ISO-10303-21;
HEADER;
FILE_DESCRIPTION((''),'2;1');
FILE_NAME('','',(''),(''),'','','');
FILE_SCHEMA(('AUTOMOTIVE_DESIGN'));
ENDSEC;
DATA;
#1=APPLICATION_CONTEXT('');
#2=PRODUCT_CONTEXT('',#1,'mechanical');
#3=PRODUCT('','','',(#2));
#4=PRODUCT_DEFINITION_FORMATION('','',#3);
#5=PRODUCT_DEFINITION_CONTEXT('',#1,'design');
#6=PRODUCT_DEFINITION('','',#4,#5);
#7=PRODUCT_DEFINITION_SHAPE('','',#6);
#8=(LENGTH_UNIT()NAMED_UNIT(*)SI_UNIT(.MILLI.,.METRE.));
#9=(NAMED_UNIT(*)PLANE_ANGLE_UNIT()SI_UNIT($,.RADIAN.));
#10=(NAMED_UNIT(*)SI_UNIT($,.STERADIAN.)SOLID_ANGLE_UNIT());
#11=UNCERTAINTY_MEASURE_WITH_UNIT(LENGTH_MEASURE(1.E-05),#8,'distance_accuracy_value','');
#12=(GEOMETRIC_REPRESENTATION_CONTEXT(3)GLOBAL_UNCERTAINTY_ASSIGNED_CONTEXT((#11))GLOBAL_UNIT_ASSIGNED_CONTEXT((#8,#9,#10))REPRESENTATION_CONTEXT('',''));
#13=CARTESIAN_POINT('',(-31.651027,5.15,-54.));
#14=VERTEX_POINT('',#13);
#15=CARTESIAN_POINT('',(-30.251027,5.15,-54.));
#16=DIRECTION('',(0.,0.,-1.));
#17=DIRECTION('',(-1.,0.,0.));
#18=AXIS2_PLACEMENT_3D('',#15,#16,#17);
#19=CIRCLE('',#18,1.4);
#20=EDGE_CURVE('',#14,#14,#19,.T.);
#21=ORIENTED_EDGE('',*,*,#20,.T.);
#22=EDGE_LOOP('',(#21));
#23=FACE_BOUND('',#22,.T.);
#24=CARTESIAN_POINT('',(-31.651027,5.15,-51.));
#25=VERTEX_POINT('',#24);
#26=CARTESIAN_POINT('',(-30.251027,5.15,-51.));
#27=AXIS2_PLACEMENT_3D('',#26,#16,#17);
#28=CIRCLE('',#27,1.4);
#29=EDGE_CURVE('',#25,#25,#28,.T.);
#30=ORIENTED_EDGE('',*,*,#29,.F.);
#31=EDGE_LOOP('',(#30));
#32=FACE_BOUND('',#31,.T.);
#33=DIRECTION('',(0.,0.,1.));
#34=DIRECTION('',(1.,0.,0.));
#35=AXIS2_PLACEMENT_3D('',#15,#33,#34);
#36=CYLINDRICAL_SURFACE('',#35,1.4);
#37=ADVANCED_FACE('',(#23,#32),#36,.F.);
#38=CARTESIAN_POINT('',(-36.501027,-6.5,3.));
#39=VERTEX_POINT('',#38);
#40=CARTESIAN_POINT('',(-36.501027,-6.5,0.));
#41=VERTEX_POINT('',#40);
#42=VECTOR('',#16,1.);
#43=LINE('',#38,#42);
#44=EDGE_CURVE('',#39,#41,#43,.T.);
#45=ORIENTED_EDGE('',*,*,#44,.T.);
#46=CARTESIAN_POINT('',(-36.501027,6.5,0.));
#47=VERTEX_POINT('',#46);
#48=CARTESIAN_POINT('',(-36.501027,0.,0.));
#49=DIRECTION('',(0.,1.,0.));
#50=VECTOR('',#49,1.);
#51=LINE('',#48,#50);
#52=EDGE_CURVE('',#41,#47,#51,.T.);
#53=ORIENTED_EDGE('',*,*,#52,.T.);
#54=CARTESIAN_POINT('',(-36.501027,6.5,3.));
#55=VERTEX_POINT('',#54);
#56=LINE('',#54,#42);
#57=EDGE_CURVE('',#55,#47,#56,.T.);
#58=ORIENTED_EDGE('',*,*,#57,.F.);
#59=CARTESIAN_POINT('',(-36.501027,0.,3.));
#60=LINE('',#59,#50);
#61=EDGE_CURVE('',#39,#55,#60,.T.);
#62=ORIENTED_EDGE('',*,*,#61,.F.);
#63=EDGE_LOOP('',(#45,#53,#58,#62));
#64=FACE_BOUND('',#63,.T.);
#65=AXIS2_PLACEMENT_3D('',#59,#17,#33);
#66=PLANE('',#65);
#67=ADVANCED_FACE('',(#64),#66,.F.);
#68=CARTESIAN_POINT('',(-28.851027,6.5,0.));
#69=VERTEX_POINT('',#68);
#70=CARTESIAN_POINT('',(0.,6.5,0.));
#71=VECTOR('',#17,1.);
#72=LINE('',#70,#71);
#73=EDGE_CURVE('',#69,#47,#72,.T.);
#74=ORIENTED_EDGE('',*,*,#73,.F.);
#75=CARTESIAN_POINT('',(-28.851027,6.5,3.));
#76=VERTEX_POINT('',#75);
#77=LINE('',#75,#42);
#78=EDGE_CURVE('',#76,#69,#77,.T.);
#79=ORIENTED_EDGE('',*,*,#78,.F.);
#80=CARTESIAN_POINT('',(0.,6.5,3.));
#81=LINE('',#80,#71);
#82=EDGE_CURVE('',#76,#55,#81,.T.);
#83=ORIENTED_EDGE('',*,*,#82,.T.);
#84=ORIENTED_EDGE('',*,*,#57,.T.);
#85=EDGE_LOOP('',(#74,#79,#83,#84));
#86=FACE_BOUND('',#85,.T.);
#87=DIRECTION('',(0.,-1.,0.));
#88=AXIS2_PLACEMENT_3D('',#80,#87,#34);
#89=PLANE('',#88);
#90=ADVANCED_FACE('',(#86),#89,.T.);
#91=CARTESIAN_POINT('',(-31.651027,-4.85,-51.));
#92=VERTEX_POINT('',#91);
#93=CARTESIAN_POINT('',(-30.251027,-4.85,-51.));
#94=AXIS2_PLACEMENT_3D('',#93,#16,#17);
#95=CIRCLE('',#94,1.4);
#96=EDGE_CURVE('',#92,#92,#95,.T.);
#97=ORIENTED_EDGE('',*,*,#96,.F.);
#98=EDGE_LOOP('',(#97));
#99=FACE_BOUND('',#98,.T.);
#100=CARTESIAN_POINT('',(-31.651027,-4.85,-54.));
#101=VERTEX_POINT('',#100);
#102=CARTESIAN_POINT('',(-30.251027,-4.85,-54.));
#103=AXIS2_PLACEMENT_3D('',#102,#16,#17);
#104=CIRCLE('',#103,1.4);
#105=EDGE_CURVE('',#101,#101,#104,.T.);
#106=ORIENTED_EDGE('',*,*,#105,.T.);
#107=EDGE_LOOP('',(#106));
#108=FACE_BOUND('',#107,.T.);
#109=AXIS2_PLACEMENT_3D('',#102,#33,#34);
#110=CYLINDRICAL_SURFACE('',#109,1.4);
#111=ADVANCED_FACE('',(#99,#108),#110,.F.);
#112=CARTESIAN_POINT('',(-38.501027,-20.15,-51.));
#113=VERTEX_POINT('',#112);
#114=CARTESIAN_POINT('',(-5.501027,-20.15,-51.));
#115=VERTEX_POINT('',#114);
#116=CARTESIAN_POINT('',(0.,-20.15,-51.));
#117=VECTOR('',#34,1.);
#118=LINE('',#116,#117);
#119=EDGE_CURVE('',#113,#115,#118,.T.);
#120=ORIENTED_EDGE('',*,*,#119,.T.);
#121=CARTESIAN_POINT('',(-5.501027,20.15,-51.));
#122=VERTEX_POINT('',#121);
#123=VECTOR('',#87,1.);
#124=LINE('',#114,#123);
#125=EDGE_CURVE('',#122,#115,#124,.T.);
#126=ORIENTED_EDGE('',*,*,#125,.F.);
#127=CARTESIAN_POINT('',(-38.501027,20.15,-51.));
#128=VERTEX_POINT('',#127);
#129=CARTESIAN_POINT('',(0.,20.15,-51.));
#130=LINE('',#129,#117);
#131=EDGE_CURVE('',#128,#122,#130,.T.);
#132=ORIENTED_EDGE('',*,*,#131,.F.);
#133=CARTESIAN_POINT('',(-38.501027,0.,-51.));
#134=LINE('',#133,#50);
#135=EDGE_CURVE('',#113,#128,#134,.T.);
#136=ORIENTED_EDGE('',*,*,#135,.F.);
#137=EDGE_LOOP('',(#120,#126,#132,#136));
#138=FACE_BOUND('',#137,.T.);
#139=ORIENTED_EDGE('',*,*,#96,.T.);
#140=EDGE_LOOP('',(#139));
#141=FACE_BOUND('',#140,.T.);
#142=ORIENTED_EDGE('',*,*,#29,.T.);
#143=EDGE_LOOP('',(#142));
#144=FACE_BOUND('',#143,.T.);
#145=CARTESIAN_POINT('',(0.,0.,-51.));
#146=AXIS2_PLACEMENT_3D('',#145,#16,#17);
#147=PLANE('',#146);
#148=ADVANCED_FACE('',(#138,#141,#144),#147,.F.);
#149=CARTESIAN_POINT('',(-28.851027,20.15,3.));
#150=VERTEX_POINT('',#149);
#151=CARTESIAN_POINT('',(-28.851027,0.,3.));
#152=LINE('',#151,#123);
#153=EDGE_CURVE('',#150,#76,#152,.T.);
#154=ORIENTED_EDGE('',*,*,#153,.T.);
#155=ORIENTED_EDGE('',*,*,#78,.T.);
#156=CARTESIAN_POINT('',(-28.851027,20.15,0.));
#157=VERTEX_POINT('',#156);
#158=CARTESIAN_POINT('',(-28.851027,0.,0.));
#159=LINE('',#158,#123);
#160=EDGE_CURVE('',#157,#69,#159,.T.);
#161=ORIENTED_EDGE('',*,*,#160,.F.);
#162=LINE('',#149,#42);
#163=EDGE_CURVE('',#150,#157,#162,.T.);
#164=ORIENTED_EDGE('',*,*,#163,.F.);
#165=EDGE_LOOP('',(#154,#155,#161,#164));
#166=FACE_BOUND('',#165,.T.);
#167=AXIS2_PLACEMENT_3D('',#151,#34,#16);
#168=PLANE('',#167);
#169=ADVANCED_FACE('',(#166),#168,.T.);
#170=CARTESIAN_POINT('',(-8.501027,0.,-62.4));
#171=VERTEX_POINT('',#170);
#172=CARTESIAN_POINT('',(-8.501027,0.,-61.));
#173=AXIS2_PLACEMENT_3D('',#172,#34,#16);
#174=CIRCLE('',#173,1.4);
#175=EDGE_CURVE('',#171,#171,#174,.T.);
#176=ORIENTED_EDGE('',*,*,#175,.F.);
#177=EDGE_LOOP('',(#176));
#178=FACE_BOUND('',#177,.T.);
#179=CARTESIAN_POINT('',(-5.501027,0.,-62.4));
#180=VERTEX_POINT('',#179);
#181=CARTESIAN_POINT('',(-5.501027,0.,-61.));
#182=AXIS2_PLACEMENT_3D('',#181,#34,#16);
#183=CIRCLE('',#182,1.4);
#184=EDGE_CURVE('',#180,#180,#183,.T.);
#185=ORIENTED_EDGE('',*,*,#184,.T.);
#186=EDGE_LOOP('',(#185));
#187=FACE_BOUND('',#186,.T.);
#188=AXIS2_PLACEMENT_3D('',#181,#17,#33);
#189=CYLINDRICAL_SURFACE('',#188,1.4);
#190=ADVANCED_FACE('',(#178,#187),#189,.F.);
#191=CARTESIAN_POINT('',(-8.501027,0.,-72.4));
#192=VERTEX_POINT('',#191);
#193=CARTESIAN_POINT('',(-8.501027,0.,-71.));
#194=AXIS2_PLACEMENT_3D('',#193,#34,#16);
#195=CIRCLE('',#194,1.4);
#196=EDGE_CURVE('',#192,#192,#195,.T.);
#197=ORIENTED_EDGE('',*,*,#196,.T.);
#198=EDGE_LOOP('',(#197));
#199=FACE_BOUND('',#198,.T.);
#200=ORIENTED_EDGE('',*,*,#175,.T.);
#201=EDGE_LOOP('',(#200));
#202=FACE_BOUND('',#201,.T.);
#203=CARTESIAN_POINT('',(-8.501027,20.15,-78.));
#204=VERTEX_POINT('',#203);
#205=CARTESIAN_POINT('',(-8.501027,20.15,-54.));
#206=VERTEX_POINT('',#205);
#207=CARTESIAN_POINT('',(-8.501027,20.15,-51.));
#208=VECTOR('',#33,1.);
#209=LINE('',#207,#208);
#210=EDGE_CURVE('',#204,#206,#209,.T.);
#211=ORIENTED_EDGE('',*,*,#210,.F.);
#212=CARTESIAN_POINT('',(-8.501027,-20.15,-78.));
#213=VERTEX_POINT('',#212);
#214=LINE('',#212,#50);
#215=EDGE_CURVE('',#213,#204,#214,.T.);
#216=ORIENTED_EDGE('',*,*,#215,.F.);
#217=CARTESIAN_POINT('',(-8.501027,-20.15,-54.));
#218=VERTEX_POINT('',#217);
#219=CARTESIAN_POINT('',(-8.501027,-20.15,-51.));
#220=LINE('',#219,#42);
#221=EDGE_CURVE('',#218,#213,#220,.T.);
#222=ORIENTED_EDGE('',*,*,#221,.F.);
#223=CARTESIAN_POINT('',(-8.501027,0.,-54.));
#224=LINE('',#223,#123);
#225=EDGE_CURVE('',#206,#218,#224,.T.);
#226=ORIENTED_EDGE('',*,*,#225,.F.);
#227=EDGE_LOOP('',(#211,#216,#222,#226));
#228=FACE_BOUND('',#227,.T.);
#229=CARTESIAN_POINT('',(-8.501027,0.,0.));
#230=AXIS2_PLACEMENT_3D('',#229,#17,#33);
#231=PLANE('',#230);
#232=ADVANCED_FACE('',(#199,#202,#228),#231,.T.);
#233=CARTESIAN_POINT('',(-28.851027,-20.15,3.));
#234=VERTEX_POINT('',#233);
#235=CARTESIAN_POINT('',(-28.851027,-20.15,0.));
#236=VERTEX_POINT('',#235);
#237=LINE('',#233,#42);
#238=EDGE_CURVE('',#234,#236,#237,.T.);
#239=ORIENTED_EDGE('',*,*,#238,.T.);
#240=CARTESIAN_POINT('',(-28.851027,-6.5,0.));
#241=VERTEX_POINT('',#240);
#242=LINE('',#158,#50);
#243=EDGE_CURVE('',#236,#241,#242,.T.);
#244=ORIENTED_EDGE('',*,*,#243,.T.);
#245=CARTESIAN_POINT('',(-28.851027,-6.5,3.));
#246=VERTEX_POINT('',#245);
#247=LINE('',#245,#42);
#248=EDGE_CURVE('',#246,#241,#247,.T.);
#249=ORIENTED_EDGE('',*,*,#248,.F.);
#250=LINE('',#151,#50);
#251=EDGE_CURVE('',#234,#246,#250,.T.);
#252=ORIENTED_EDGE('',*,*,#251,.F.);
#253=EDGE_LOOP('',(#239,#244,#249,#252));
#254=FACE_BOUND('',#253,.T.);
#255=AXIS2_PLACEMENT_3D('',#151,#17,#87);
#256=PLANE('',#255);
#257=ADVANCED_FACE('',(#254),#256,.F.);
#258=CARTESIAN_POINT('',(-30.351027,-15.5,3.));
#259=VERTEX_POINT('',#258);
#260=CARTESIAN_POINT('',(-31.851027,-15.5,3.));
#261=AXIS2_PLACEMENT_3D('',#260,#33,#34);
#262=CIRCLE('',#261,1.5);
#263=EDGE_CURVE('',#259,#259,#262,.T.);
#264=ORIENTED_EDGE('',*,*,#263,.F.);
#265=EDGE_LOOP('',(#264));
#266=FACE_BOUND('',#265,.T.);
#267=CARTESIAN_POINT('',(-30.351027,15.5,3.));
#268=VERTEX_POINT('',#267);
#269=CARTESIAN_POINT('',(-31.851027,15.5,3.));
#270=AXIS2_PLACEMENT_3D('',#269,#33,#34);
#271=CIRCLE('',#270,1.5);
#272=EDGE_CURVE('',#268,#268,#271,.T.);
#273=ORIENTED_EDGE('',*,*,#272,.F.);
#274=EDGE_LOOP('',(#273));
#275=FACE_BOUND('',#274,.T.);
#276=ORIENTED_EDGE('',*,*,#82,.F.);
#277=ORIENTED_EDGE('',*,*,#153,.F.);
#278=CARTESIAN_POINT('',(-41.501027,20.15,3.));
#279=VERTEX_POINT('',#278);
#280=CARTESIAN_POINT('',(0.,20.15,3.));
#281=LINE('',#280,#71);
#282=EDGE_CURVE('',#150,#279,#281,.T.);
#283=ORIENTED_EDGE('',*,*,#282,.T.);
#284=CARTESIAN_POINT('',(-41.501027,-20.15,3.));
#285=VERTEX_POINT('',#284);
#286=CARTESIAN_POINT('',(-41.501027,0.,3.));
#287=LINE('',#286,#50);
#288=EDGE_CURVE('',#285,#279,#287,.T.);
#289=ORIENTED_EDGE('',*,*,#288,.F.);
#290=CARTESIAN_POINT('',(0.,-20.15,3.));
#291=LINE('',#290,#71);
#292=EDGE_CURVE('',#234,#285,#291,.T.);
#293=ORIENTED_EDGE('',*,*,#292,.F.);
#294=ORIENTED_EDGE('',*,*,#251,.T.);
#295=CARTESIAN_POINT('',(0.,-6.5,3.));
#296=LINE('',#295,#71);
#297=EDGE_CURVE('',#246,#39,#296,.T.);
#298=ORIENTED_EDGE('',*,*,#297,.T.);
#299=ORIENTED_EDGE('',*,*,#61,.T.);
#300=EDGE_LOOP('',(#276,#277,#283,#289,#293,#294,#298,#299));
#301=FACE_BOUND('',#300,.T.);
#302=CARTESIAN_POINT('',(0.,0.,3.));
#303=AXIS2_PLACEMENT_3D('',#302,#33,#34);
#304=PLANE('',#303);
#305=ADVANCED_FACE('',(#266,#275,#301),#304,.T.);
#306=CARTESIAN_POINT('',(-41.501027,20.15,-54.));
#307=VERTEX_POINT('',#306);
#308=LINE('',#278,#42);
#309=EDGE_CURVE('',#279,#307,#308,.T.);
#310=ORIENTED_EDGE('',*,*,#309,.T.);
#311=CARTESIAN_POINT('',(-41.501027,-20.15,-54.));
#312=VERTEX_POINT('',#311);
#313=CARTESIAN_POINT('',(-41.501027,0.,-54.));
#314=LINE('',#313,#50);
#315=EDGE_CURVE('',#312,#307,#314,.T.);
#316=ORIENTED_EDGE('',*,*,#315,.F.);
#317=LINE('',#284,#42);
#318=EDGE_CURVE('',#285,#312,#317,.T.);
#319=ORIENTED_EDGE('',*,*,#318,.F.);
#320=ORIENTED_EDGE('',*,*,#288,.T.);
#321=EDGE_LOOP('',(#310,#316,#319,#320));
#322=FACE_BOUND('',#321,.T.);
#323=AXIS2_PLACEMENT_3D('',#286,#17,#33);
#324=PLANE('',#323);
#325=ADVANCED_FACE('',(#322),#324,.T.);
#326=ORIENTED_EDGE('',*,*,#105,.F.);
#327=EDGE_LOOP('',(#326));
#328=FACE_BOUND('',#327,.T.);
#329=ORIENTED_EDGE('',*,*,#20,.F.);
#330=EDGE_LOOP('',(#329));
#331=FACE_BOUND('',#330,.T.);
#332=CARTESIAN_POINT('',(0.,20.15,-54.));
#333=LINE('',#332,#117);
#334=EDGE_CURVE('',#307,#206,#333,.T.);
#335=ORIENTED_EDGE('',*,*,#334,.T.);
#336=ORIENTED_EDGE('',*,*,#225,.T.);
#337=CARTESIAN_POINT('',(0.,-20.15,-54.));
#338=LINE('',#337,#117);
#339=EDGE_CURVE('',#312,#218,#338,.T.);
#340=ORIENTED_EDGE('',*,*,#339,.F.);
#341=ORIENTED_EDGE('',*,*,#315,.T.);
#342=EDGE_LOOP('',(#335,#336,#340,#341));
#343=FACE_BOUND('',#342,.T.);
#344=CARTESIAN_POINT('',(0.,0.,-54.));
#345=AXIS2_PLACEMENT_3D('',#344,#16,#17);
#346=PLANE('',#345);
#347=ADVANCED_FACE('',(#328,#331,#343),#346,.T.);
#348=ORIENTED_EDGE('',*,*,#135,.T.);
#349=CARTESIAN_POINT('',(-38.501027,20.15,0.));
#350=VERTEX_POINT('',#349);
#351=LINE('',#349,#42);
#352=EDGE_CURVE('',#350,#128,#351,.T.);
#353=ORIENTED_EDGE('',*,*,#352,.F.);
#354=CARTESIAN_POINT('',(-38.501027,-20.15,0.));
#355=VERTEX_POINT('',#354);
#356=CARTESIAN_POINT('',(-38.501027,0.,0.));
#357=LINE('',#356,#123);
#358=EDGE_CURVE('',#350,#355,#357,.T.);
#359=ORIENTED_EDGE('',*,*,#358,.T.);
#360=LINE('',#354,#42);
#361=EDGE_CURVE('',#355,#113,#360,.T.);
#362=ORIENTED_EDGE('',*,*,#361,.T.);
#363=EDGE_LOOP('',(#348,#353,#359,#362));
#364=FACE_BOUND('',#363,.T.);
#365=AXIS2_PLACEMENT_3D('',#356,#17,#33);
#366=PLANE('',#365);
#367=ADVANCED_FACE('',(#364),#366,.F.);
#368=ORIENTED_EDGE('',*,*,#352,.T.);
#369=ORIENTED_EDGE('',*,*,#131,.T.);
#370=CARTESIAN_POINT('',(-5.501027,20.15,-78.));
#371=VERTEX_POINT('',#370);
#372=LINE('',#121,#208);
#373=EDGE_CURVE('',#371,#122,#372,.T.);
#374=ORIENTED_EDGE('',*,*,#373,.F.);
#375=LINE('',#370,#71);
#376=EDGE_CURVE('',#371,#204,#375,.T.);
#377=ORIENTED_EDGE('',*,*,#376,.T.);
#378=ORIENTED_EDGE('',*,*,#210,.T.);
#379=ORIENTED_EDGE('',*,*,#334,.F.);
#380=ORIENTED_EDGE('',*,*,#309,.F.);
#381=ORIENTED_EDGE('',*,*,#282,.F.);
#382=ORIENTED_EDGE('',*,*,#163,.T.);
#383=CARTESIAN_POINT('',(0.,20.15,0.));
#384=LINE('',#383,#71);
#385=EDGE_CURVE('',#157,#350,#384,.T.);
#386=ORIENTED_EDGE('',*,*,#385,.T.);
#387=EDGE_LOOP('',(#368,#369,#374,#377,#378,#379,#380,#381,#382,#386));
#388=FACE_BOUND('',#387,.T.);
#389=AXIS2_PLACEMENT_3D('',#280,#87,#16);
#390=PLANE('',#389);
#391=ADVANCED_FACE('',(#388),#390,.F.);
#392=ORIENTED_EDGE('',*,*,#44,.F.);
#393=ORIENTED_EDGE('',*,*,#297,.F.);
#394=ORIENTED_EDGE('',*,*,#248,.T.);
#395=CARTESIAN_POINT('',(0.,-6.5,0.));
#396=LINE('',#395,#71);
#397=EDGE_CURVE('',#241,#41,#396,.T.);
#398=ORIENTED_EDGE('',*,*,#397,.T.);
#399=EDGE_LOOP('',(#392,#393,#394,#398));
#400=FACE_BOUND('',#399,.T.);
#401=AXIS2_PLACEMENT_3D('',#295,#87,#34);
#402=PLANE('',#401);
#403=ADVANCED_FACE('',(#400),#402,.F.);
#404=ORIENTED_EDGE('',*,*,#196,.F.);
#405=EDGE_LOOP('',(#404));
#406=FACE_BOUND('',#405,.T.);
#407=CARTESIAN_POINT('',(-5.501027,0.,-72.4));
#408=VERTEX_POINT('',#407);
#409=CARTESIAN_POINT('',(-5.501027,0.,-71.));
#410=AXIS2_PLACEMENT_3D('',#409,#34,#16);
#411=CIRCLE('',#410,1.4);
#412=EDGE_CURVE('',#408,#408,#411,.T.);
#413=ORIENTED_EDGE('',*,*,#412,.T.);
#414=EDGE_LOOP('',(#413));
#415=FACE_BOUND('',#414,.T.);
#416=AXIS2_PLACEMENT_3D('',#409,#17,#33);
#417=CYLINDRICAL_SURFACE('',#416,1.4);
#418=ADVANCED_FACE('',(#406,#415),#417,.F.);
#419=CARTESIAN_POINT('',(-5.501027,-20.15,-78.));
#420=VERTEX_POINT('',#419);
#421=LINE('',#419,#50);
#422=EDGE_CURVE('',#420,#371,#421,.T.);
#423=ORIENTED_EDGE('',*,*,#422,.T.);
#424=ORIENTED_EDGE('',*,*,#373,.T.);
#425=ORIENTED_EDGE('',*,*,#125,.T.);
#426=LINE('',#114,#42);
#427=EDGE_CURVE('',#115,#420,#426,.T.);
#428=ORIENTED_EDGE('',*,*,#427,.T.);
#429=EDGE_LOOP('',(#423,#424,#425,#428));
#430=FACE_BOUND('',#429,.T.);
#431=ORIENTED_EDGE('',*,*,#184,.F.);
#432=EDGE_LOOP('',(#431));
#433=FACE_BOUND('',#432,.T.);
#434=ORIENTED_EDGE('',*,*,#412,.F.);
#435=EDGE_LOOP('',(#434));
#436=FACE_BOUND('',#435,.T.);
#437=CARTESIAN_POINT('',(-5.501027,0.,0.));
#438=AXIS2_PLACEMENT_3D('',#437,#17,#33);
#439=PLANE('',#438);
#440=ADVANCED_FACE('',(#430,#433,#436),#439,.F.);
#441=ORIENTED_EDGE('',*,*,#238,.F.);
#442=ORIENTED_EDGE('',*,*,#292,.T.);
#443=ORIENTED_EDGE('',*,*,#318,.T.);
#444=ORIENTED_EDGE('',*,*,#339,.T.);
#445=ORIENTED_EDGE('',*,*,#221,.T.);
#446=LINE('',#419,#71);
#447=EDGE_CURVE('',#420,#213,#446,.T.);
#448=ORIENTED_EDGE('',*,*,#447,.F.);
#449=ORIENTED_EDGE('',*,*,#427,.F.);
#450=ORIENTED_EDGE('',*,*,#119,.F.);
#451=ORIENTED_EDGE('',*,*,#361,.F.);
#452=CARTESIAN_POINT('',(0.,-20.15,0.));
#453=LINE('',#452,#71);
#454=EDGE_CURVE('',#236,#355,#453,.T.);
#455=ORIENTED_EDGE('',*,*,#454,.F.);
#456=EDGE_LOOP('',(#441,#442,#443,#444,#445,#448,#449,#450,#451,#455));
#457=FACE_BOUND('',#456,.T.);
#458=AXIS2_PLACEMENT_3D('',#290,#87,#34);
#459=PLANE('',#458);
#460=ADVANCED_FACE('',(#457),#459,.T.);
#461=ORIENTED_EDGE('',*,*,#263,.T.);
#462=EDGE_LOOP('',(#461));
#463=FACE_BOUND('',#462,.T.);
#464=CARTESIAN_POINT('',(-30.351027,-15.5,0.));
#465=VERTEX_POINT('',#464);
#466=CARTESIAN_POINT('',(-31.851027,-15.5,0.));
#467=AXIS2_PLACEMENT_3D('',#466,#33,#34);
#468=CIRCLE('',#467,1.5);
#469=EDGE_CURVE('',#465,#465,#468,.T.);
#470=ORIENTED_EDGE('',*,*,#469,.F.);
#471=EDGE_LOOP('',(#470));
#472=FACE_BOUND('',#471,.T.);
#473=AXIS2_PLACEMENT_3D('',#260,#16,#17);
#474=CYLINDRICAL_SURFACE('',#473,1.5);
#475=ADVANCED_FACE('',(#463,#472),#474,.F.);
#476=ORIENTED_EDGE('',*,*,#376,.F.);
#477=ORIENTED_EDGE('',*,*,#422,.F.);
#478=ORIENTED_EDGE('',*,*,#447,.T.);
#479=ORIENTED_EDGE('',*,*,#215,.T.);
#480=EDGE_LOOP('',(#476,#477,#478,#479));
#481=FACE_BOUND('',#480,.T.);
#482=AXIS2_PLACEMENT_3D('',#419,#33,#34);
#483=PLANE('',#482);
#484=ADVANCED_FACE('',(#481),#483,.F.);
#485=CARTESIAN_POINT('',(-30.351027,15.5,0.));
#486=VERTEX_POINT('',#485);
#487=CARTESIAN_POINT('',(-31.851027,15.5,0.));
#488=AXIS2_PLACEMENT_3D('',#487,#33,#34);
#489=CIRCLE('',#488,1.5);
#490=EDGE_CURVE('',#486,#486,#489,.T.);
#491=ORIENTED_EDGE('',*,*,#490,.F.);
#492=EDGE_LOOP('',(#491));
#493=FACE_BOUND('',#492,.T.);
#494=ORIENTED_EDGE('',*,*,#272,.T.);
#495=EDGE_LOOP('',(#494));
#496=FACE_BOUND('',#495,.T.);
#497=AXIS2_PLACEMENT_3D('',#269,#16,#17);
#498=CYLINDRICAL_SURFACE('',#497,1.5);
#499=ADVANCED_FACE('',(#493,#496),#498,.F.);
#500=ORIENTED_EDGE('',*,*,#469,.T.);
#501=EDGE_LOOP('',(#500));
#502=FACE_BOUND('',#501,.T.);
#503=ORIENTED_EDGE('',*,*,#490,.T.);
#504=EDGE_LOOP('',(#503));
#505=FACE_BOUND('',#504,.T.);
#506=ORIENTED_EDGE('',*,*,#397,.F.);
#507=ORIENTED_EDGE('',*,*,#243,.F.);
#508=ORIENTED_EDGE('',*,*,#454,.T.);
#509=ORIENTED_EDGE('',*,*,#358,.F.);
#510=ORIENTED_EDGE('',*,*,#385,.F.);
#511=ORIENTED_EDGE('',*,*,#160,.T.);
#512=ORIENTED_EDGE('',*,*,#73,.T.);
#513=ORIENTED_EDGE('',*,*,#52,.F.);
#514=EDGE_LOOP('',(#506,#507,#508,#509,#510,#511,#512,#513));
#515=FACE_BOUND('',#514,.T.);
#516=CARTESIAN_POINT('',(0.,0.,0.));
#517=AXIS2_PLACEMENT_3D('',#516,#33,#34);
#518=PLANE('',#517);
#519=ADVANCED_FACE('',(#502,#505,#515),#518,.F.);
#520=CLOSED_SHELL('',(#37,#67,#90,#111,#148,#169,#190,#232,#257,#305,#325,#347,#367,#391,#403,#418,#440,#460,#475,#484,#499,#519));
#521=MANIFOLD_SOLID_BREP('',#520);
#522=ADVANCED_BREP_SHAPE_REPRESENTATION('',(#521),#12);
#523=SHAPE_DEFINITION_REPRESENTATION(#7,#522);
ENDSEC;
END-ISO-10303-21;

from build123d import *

# Parameters (mm, degrees)
SKETCH1_R           = 1.5
BOSS_EXTRUDE1_DEPTH = 3
SKETCH2_W           = 51
SKETCH2_H           = 40.3
BOSS_EXTRUDE2_DEPTH = 3
SKETCH3_W           = 33
SKETCH3_H           = 40.3
SKETCH3_R           = 1.4
BOSS_EXTRUDE3_DEPTH = 3
SKETCH5_W           = 27
SKETCH5_H           = 40.3
SKETCH5_R           = 1.4
BOSS_EXTRUDE4_DEPTH = 3


with BuildPart() as part:
    # Sketch1 → Boss-Extrude1 (new body)
    with BuildSketch(Plane.XY):
        Polygon((-28.851027023, -20.15), (-28.851027023, -13), (-28.851027023, -6.5), (-36.501027023, -6.5), (-36.501027023, -16.735786438), (-33.086813461, -20.15), align=None)
        with Locations((-31.851027023, -15.5)):
            Circle(SKETCH1_R, mode=Mode.SUBTRACT)
        Polygon((-36.501027023, 16.735786438), (-36.501027023, 6.5), (-28.851027023, 6.5), (-28.851027023, 20.15), (-33.086813461, 20.15), align=None)
        with Locations((-31.851027023, 15.5)):
            Circle(SKETCH1_R, mode=Mode.SUBTRACT)
        Polygon((-36.501027023, -20.15), (-33.086813461, -20.15), (-36.501027023, -16.735786438), align=None)
        Polygon((-36.501027023, 20.15), (-36.501027023, 16.735786438), (-33.086813461, 20.15), align=None)
        Polygon((-36.501027023, -16.735786438), (-36.501027023, -6.5), (-36.501027023, 6.5), (-36.501027023, 16.735786438), (-36.501027023, 20.15), (-41.501027023, 20.15), (-41.501027023, -20.15), (-36.501027023, -20.15), align=None)
    extrude(amount=BOSS_EXTRUDE1_DEPTH)

    # Sketch2 → Boss-Extrude2 (add)
    with BuildSketch(Plane(origin=(-41.501027023, 0, 0), x_dir=(0, 0, -1), z_dir=(1, 0, 0))):
        with Locations((25.5, 0)):
            Rectangle(SKETCH2_W, SKETCH2_H)
    extrude(amount=BOSS_EXTRUDE2_DEPTH)

    # Sketch3 → Boss-Extrude3 (add)
    with BuildSketch(Plane(origin=(0, 0, -51), x_dir=(-1, 0, 0), z_dir=(0, 0, -1))):
        with Locations((25.001027023, 0)):
            Rectangle(SKETCH3_W, SKETCH3_H)
        with Locations((30.251027023, 5.15)):
            Circle(SKETCH3_R, mode=Mode.SUBTRACT)
        with Locations((30.251027023, -4.85)):
            Circle(SKETCH3_R, mode=Mode.SUBTRACT)
    extrude(amount=BOSS_EXTRUDE3_DEPTH)

    # Sketch5 → Boss-Extrude4 (add)
    with BuildSketch(Plane(origin=(-8.501027023, 0, 0), x_dir=(0, 0, -1), z_dir=(1, 0, 0))):
        with Locations((64.5, 0)):
            Rectangle(SKETCH5_W, SKETCH5_H)
        with Locations((71, 0)):
            Circle(SKETCH5_R, mode=Mode.SUBTRACT)
        with Locations((61, 0)):
            Circle(SKETCH5_R, mode=Mode.SUBTRACT)
    extrude(amount=BOSS_EXTRUDE4_DEPTH)


solid = part.part
